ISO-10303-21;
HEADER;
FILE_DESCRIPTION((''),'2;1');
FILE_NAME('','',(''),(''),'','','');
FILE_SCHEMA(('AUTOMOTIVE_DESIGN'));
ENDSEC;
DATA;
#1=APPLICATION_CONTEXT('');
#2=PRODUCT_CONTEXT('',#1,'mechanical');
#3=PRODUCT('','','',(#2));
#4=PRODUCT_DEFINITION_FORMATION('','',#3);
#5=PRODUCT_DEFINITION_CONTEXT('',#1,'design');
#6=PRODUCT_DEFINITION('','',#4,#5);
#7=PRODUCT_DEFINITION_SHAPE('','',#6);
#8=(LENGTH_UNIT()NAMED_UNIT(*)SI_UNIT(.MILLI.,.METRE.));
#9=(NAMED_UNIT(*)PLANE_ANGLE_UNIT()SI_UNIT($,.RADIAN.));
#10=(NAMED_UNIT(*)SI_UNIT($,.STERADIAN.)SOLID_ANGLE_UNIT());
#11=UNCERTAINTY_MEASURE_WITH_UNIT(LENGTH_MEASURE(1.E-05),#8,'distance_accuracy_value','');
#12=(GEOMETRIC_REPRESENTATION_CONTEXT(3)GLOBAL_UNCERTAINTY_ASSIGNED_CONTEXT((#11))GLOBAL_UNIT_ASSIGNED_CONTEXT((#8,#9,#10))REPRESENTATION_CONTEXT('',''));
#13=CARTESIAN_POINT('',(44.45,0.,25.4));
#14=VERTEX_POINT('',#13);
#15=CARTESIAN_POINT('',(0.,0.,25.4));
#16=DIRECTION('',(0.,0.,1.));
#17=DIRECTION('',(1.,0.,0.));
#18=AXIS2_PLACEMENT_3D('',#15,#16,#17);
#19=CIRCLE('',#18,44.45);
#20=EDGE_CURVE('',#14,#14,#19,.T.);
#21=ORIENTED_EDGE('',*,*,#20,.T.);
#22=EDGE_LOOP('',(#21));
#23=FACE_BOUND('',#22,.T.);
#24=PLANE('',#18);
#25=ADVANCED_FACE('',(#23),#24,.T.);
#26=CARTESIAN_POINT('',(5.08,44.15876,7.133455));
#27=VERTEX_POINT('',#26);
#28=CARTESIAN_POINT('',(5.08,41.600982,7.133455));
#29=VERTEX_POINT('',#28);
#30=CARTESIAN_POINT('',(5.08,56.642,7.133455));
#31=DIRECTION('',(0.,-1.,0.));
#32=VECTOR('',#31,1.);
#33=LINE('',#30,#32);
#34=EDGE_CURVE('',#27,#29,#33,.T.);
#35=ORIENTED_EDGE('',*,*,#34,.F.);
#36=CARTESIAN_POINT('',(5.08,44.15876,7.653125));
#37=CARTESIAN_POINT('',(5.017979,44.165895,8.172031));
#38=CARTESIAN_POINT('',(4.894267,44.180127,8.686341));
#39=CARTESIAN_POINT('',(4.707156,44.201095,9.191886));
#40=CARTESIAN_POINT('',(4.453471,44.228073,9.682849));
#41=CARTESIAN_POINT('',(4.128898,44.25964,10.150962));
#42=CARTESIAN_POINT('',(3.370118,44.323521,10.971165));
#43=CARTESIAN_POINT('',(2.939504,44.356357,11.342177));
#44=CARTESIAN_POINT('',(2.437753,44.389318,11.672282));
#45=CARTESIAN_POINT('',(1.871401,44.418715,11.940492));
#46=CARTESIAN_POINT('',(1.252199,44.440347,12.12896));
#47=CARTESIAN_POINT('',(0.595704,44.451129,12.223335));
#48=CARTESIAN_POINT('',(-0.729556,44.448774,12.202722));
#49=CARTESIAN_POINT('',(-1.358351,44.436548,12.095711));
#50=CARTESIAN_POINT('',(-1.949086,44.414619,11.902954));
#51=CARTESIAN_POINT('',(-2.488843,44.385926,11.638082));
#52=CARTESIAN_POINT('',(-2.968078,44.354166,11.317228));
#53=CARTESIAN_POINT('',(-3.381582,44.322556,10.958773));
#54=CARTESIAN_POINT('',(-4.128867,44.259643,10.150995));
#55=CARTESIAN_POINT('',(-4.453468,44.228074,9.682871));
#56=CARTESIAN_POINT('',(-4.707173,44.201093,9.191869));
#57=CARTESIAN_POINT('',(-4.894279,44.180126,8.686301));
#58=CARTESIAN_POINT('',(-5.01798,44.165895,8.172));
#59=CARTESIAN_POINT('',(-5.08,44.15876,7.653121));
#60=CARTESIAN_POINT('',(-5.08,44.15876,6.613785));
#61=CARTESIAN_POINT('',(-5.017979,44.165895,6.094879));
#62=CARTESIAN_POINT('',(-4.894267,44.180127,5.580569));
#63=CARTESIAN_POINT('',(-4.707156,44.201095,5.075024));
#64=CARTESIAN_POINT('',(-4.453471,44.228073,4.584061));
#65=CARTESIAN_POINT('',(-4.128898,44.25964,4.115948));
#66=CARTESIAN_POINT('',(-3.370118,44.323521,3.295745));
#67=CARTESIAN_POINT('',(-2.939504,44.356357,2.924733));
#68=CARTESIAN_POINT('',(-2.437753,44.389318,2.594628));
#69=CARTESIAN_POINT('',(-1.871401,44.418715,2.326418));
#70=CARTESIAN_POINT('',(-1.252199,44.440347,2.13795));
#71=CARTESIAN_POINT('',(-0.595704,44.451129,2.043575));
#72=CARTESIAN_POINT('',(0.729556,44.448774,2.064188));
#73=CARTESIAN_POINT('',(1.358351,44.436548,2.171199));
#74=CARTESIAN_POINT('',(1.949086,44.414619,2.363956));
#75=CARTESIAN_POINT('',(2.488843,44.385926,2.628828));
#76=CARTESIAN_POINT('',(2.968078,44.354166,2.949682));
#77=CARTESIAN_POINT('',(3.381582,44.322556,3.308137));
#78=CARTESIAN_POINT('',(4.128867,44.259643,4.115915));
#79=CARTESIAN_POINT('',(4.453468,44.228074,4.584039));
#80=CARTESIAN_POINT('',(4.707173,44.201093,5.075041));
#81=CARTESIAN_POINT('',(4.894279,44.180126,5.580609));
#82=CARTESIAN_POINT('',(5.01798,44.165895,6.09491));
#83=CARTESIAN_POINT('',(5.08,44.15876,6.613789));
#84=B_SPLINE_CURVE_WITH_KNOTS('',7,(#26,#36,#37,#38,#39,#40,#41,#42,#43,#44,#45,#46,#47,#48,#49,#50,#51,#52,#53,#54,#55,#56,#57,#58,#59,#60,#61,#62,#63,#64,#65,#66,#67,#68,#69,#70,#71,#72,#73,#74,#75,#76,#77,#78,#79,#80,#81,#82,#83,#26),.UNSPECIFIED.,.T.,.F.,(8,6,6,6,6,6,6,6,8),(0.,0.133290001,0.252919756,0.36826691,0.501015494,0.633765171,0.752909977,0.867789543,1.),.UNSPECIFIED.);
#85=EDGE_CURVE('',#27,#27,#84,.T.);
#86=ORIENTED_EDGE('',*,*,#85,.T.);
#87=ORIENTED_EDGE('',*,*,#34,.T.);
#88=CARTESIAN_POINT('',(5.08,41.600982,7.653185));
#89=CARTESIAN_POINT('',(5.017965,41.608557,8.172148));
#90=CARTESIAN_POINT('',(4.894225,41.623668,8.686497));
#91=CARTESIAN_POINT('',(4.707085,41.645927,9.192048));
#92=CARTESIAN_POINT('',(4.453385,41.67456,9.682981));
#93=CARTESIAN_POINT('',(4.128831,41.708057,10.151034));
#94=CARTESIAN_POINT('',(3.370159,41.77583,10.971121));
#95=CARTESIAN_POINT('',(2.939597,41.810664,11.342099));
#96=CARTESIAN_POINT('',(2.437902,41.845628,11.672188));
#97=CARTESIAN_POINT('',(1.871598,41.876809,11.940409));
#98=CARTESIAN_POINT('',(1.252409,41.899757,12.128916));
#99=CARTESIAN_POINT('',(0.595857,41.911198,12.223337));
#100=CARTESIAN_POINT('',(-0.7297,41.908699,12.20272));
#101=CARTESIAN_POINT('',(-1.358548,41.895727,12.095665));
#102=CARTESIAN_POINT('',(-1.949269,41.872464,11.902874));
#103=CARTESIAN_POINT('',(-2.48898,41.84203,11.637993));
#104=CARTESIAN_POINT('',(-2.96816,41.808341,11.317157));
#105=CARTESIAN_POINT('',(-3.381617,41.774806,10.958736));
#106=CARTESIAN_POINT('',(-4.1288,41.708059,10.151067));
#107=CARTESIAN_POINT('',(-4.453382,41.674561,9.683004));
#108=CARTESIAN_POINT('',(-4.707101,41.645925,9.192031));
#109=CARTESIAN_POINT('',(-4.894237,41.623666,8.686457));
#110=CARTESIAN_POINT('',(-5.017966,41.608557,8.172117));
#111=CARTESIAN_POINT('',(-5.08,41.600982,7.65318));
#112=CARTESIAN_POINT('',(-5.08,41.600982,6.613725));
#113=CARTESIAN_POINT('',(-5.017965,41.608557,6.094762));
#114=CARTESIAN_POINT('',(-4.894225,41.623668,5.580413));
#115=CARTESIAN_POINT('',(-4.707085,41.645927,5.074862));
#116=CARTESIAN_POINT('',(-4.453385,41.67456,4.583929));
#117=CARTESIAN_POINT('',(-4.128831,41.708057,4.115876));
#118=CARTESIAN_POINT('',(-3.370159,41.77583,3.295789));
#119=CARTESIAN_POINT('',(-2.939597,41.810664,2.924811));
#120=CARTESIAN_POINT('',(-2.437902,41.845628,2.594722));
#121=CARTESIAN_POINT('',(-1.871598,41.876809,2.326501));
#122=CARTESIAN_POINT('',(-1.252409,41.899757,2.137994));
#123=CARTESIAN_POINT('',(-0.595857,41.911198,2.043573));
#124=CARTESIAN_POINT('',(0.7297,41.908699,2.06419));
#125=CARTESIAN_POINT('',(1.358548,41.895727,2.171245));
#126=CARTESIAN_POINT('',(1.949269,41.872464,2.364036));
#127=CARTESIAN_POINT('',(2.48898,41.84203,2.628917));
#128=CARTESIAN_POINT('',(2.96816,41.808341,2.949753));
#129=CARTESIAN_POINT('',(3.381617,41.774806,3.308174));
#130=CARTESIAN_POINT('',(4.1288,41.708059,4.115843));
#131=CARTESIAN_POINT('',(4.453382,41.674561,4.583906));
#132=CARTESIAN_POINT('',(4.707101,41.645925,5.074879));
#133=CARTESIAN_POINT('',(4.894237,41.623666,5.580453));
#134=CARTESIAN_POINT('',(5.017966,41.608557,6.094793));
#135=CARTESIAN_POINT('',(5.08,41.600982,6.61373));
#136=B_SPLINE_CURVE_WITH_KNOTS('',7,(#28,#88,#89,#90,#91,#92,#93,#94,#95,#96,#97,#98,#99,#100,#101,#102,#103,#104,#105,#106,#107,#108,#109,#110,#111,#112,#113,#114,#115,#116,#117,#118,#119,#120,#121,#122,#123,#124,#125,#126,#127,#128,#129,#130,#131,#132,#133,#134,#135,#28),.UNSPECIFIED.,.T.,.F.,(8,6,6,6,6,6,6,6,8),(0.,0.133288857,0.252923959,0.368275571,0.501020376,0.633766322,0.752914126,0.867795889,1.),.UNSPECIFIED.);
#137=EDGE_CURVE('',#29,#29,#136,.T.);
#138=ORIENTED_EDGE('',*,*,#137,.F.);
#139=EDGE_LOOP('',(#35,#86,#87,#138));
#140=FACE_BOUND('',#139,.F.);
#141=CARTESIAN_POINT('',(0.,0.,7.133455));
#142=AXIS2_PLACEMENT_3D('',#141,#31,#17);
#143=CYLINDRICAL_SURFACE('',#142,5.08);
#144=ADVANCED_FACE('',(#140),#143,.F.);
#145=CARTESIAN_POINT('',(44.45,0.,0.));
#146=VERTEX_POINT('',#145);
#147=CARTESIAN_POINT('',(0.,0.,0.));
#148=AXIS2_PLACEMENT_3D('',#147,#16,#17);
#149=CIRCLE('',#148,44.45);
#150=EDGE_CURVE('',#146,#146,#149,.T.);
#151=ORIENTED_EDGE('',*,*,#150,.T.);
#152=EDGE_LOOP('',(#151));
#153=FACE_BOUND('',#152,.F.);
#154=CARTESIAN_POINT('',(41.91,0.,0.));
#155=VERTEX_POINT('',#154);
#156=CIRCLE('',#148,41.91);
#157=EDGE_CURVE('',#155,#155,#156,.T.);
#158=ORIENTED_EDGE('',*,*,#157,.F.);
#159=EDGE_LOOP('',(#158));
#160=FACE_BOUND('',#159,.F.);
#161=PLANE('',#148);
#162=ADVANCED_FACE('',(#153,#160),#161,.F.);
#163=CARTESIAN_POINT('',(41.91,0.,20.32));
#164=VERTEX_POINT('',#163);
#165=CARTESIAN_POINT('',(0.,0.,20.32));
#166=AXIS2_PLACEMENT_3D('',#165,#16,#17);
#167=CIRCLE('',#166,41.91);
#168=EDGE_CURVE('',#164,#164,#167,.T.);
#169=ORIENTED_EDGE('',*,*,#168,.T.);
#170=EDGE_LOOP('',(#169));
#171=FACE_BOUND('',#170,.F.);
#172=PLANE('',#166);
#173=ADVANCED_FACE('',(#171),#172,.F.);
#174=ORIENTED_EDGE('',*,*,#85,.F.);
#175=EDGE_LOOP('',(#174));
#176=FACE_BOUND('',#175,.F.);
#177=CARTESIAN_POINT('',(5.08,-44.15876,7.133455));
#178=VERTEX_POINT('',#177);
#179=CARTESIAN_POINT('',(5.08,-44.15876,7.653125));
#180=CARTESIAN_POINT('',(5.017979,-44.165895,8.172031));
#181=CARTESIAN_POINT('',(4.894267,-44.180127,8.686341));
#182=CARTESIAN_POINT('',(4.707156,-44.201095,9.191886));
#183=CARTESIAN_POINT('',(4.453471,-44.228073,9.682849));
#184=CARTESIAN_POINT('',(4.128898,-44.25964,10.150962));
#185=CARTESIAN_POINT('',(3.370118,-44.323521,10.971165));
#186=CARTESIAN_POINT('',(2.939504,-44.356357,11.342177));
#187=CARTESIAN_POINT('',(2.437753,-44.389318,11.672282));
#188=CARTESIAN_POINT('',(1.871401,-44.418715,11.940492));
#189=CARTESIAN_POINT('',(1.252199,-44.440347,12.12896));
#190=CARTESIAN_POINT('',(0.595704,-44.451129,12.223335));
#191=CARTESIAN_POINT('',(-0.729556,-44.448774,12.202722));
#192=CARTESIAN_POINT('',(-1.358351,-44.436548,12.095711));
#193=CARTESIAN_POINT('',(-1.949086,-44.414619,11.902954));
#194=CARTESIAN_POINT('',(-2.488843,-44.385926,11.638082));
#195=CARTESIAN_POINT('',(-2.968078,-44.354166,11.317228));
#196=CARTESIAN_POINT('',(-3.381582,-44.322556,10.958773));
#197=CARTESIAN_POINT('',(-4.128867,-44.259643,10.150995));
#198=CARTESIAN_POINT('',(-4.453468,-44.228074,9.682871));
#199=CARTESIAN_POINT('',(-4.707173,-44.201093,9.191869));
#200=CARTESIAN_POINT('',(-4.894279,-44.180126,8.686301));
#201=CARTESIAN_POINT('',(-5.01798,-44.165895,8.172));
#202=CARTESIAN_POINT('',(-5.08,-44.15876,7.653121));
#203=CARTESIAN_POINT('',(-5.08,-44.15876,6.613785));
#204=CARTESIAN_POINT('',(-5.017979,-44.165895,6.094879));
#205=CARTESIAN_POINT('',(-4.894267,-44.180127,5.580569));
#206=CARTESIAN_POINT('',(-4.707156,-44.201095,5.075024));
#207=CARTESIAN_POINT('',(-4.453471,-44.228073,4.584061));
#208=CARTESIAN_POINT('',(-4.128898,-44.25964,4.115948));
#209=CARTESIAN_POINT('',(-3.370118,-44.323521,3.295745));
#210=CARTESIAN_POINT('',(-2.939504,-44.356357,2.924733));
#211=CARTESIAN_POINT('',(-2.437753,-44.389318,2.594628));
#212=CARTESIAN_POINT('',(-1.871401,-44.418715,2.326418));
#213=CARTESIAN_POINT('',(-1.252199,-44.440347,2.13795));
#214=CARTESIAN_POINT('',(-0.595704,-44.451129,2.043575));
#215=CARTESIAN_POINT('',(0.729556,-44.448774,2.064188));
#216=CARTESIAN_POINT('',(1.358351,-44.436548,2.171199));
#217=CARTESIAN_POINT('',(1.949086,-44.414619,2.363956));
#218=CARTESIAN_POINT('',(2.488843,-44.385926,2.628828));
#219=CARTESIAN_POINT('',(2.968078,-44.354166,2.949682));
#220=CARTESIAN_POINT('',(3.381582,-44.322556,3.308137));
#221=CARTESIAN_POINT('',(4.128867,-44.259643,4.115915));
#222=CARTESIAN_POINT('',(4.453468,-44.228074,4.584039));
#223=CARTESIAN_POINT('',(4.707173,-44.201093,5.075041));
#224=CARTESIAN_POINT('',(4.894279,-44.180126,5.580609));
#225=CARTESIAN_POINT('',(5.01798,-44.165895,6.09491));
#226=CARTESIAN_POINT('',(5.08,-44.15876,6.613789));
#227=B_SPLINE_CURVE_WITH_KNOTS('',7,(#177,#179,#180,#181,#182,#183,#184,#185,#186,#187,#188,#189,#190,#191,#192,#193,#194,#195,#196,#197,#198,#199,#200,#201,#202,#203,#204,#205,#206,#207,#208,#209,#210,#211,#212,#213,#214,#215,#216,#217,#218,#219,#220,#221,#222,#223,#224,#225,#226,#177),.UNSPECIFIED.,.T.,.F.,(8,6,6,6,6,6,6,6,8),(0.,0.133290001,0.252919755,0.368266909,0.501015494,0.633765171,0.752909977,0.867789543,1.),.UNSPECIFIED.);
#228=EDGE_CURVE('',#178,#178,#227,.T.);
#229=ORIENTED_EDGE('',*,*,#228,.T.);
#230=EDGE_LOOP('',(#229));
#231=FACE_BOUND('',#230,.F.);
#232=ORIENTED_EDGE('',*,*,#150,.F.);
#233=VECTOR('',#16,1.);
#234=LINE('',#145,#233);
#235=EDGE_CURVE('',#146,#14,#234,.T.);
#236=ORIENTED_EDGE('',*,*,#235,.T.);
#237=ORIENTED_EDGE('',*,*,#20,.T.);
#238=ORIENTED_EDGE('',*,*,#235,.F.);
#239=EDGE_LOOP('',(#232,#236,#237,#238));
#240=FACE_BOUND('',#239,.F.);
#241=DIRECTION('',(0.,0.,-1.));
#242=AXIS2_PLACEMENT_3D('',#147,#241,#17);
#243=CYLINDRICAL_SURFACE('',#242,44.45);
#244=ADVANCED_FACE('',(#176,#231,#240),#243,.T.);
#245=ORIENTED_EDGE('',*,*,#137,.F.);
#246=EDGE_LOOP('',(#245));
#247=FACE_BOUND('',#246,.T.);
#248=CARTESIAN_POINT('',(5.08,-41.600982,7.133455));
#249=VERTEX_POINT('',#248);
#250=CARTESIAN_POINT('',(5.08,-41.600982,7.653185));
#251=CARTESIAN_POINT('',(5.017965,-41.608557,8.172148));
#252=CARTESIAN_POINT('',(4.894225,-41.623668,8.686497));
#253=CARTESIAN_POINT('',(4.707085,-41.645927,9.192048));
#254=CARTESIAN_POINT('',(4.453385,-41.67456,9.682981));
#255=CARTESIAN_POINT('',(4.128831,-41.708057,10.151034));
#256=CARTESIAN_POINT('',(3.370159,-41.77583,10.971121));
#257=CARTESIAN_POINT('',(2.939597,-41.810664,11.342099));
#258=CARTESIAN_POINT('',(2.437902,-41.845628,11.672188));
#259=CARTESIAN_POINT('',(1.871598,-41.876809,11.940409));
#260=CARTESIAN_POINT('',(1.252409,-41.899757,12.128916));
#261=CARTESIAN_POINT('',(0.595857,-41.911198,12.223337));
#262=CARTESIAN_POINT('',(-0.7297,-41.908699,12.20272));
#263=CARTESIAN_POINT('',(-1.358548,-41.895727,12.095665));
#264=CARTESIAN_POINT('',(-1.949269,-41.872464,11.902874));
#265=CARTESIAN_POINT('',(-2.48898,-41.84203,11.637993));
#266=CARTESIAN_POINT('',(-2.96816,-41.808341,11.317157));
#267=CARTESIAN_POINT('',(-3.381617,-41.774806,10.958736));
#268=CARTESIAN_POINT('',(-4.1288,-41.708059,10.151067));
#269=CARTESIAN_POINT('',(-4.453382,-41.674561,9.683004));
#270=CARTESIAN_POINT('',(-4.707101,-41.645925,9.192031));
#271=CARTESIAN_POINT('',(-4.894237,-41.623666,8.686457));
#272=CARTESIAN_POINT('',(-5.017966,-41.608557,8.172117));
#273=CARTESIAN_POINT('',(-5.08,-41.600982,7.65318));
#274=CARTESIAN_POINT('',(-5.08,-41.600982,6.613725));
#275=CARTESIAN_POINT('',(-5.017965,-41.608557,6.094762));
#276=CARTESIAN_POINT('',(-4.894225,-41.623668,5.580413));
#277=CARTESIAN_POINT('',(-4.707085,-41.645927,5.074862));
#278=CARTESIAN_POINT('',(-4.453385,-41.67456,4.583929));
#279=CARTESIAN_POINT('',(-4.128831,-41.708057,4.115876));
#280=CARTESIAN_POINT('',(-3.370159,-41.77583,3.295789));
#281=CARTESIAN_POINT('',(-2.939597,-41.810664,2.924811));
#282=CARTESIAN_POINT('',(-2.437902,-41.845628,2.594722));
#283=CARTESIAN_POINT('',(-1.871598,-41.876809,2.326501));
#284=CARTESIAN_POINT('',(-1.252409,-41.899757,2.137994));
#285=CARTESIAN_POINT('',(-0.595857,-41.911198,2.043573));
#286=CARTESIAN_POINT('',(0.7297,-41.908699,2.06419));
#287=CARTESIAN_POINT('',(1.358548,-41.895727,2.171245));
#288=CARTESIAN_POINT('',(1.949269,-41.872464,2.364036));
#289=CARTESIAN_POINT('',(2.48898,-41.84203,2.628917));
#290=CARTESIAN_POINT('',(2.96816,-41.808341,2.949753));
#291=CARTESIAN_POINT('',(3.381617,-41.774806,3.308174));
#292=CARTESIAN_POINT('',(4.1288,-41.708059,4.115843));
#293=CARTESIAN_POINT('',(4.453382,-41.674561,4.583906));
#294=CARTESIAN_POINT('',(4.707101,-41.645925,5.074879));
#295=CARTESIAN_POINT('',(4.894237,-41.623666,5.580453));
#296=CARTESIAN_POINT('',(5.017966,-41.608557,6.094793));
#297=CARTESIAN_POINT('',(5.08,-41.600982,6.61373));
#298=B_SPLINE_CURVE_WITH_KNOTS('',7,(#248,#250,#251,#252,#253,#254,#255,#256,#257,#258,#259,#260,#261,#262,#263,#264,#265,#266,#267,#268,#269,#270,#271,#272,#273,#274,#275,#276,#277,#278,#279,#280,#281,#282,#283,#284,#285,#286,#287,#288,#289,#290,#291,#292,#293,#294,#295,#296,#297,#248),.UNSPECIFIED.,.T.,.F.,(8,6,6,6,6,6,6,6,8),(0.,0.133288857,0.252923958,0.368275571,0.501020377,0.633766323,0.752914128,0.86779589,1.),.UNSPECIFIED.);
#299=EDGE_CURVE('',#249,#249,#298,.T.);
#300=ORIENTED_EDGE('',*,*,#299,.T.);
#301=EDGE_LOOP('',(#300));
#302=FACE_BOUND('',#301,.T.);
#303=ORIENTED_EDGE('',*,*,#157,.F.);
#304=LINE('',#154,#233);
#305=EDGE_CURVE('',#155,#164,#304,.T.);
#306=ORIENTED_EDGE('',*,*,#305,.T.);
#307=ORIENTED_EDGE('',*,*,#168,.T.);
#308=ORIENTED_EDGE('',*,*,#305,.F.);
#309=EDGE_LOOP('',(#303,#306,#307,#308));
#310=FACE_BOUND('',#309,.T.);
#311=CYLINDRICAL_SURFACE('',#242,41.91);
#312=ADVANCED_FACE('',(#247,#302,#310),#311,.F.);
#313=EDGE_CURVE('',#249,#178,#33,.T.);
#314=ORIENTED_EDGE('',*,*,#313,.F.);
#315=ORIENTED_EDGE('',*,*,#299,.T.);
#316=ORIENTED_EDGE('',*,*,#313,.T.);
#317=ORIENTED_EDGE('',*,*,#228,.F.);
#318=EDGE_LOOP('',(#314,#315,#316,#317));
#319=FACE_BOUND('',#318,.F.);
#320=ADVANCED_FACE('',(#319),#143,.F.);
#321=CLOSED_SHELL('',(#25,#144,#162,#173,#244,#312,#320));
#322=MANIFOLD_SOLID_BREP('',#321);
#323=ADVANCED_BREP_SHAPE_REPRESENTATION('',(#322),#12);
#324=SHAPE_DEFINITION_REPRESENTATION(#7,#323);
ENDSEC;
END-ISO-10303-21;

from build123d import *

# Parameters (mm, degrees)
F0_R     = 44.45
F0_R_2   = 41.91
F1_DEPTH = 25.4
F2_R     = 41.91
F2_R_2   = 38.1
F3_DEPTH = 5.08
F4_R     = 5.08
F5_DEPTH = 56.642


with BuildPart() as f1:
    # F0 (on Top) → F1 (new body)
    with BuildSketch(Plane.XY):
        Circle(F0_R)
        Circle(F0_R_2, mode=Mode.SUBTRACT)
    extrude(amount=F1_DEPTH)

    # F2 (on face) → F3 (join)
    with BuildSketch(Plane.XY.offset(25.4)):
        Circle(F2_R)
        Circle(F2_R_2, mode=Mode.SUBTRACT)
        Circle(F2_R_2)
    extrude(amount=-F3_DEPTH)

    # F4 (on Front) → F5 (cut, symmetric)
    with BuildSketch(Plane.XZ):
        with Locations((0, 7.133455)):
            Circle(F4_R)
    extrude(amount=F5_DEPTH, both=True, mode=Mode.SUBTRACT)


solid = f1.part
